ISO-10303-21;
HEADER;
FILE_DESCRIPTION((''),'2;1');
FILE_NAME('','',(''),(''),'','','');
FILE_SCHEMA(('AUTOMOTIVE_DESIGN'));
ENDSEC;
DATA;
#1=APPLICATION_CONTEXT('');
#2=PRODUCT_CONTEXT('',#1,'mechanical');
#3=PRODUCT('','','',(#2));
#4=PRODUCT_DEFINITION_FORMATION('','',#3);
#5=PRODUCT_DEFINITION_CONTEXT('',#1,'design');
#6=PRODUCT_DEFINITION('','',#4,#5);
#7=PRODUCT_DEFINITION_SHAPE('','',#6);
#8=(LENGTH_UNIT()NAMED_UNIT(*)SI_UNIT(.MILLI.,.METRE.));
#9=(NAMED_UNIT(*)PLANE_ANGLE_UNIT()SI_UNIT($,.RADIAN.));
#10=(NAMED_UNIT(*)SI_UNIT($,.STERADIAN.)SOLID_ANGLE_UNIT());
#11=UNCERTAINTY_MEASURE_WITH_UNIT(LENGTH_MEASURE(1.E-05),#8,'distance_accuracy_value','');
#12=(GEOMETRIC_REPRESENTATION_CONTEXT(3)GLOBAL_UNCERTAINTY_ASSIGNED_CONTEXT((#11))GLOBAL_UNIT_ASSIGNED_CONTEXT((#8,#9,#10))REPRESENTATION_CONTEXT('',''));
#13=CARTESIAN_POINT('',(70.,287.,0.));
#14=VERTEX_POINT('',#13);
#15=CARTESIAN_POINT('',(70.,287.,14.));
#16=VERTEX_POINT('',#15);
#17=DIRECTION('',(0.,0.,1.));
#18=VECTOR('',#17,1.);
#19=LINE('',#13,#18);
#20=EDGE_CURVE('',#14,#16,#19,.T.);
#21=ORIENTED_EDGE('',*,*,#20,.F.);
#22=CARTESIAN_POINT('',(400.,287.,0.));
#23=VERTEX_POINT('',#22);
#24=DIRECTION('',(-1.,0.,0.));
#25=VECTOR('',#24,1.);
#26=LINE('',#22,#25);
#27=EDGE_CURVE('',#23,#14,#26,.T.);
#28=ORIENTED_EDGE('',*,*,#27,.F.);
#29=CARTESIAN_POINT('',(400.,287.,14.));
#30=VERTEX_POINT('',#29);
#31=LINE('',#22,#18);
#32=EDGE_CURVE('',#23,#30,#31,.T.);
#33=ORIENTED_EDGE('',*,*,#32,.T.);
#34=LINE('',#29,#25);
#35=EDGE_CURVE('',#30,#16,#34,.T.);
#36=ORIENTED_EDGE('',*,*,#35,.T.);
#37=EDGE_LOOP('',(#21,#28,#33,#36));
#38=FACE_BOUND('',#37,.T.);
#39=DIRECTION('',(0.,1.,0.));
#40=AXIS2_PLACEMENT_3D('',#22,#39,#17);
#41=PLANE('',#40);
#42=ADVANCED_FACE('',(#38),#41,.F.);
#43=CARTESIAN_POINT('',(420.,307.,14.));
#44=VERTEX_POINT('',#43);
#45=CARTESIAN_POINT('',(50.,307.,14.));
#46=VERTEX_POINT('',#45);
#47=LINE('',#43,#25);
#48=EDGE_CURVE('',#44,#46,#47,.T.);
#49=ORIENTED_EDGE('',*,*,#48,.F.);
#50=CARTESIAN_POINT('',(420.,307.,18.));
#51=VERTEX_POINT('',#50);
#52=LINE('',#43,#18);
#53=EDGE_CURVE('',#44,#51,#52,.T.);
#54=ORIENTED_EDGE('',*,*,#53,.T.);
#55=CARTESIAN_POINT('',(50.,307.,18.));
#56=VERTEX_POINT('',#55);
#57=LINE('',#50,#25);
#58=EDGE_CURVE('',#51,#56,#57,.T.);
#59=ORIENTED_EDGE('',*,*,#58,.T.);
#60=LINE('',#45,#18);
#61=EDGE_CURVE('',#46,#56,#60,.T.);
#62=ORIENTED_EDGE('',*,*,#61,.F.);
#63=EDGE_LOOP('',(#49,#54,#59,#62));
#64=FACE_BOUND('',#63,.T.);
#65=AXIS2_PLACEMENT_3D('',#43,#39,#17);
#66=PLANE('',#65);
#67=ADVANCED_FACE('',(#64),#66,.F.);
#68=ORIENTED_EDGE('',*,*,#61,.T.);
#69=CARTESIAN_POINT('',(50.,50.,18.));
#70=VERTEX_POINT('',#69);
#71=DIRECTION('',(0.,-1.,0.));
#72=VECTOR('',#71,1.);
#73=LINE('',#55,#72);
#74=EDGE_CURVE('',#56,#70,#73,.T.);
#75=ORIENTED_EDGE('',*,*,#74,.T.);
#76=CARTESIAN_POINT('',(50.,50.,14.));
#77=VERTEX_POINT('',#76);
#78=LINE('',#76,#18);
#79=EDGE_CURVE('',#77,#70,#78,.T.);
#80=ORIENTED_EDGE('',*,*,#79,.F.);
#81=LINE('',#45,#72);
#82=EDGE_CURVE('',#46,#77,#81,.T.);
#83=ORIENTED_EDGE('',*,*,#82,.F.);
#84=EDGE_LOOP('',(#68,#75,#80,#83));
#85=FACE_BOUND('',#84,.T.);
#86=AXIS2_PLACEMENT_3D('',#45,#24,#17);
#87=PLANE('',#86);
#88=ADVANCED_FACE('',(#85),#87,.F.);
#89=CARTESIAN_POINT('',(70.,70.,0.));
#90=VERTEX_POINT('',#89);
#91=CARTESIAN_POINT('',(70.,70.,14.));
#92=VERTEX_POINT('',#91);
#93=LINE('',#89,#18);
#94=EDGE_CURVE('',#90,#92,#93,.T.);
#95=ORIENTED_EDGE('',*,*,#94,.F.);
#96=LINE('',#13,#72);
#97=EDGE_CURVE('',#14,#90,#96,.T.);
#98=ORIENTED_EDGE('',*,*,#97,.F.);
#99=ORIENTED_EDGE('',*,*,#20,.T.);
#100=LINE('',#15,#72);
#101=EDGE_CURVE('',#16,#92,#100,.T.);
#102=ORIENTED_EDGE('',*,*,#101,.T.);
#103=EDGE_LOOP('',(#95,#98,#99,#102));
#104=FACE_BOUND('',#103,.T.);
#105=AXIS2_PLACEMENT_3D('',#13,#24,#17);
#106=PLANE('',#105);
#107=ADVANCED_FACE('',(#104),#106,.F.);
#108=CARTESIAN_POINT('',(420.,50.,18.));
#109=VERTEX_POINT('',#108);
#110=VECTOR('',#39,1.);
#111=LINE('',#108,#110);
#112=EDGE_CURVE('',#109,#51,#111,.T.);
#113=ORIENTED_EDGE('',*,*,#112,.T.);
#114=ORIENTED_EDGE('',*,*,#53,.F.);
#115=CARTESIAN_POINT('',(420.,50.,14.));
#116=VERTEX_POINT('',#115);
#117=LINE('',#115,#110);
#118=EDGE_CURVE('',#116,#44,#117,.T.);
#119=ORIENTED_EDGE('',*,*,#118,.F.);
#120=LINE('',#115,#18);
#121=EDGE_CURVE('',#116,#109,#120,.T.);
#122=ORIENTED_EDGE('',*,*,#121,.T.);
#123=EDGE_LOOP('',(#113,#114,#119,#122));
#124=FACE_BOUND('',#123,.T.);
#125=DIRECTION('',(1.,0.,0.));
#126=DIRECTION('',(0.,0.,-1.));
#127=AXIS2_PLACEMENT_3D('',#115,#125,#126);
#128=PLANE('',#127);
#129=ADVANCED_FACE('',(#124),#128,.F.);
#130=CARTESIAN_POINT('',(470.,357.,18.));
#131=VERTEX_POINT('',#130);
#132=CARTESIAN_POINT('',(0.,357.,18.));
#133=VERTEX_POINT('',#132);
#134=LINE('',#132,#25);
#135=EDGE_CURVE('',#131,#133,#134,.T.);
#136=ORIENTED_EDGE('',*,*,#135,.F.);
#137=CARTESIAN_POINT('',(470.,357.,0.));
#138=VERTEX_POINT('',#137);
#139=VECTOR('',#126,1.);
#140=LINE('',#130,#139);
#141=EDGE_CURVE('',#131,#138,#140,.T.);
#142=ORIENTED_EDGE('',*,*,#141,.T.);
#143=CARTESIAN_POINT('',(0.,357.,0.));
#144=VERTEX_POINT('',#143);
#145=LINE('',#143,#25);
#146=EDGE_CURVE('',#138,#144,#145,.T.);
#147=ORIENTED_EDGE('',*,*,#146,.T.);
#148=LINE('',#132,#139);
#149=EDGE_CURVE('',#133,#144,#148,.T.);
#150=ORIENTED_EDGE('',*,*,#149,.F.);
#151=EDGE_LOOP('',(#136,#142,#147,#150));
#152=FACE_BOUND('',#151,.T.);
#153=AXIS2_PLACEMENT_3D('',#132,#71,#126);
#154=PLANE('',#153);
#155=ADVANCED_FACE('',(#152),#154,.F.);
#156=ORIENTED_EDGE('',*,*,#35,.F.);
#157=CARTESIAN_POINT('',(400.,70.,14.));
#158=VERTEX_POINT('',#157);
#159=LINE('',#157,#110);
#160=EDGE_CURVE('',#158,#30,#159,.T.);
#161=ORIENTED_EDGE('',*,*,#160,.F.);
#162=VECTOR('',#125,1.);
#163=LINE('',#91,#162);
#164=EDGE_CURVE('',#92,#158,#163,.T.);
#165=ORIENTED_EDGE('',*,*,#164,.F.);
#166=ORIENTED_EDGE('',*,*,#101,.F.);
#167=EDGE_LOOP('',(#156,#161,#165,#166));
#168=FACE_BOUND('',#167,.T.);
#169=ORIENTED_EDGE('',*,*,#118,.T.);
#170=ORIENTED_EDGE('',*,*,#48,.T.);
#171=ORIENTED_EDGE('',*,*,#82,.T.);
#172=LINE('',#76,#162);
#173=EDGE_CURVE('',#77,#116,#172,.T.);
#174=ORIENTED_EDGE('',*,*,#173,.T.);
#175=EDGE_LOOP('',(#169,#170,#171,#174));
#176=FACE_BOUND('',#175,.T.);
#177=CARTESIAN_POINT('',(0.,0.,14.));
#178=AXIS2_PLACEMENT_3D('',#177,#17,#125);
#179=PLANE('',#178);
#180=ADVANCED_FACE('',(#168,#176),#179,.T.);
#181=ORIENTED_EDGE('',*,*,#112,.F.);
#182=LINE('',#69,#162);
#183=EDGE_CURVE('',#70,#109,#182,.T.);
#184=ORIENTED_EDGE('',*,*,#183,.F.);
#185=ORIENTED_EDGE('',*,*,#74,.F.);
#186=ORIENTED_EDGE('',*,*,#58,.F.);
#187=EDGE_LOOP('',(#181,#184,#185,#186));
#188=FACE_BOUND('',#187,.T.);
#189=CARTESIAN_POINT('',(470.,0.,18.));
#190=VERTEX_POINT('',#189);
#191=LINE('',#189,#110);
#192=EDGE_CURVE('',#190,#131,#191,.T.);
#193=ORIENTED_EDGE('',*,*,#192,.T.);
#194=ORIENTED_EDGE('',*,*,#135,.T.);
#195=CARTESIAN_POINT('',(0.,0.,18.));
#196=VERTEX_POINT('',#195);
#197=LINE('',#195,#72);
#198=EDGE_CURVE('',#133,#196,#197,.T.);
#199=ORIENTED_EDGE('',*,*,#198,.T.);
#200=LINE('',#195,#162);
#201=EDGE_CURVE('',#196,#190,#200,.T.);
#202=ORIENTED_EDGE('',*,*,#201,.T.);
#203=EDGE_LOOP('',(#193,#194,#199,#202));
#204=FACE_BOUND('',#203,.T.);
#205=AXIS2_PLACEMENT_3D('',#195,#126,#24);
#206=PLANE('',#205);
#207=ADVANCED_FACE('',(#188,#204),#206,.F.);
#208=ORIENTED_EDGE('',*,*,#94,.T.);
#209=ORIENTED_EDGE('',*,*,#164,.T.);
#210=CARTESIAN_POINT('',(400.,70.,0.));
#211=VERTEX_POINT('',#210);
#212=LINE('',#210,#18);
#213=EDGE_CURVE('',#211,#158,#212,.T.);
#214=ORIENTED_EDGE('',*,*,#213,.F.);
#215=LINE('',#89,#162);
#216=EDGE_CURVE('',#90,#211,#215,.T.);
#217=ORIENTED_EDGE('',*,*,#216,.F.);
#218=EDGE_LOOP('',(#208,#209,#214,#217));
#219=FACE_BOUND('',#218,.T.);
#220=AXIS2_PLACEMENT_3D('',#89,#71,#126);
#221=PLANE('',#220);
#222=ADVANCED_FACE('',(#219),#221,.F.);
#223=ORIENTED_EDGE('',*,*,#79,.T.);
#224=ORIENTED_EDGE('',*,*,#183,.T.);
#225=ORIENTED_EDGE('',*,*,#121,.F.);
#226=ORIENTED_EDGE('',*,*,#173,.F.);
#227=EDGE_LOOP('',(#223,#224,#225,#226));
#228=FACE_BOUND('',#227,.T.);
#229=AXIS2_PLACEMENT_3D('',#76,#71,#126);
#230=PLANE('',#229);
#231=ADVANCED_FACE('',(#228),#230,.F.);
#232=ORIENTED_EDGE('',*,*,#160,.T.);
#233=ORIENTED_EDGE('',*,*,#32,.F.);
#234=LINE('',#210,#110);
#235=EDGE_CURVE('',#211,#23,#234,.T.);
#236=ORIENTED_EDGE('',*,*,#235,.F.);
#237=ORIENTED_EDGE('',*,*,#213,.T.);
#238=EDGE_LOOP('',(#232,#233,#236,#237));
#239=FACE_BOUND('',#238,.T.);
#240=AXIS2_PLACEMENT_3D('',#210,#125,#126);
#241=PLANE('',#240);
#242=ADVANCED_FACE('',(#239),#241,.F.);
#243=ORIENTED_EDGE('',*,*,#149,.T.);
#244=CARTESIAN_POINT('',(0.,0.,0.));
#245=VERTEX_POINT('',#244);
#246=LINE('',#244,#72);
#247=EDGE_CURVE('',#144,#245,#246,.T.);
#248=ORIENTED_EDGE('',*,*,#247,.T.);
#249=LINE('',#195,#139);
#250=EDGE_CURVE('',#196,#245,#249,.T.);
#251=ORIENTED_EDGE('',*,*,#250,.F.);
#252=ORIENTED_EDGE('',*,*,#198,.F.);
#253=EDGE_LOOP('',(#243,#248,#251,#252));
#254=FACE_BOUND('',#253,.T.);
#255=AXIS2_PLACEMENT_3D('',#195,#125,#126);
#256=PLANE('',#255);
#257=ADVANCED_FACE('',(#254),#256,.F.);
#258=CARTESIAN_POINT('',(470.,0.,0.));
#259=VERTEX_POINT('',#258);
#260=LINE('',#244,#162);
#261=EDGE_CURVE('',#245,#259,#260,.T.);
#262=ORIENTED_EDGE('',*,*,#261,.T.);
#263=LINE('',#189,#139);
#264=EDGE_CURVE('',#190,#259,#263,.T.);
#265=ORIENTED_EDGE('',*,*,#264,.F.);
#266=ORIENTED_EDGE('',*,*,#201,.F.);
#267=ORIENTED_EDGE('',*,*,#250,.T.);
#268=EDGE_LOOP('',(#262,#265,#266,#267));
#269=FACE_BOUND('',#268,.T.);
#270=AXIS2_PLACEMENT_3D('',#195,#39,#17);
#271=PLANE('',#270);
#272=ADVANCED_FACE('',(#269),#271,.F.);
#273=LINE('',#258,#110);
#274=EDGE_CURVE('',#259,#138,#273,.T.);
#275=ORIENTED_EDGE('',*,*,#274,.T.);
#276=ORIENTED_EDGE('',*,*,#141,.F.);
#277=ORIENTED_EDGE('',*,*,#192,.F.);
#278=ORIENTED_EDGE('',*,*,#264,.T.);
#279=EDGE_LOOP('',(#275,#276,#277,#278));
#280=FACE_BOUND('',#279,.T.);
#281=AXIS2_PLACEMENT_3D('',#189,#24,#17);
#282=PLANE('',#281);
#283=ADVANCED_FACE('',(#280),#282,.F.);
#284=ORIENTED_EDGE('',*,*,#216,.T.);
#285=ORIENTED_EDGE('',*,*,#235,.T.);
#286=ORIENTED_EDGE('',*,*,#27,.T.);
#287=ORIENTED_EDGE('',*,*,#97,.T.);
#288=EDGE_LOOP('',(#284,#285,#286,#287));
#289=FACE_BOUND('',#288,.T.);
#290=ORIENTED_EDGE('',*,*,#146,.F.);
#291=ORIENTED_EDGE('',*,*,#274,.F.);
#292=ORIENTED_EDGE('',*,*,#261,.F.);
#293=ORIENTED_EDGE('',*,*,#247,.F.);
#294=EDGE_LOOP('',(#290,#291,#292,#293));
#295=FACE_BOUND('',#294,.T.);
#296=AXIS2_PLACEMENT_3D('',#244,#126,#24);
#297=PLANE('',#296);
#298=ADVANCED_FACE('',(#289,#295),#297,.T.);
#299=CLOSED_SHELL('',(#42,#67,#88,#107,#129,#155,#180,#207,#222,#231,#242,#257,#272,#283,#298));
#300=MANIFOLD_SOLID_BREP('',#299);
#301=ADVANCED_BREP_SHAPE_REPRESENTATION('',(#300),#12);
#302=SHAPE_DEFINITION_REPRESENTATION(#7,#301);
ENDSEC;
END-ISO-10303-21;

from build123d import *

# Parameters (mm, degrees)
SKETCH1_W           = 470
SKETCH1_H           = 357
BOSS_EXTRUDE1_DEPTH = 18
SKETCH3_W           = 370
SKETCH3_H           = 257
CUT_EXTRUDE1_DEPTH  = 4
SKETCH4_W           = 330
SKETCH4_H           = 217
CUT_EXTRUDE2_DEPTH  = 591.376998197


with BuildPart() as part:
    # Sketch1 → Boss-Extrude1 (new body)
    with BuildSketch(Plane.XY):
        with Locations((235, 178.5)):
            Rectangle(SKETCH1_W, SKETCH1_H)
    extrude(amount=BOSS_EXTRUDE1_DEPTH)

    # Sketch3 → Cut-Extrude1 (cut)
    with BuildSketch(Plane.XY.offset(18)):
        with Locations((235, 178.5)):
            Rectangle(SKETCH3_W, SKETCH3_H)
    extrude(amount=-CUT_EXTRUDE1_DEPTH, mode=Mode.SUBTRACT)

    # Sketch4 → Cut-Extrude2 (cut, through all)
    with BuildSketch(Plane.XY.offset(14)):
        with Locations((235, 178.5)):
            Rectangle(SKETCH4_W, SKETCH4_H)
    extrude(amount=-CUT_EXTRUDE2_DEPTH, mode=Mode.SUBTRACT)


solid = part.part
